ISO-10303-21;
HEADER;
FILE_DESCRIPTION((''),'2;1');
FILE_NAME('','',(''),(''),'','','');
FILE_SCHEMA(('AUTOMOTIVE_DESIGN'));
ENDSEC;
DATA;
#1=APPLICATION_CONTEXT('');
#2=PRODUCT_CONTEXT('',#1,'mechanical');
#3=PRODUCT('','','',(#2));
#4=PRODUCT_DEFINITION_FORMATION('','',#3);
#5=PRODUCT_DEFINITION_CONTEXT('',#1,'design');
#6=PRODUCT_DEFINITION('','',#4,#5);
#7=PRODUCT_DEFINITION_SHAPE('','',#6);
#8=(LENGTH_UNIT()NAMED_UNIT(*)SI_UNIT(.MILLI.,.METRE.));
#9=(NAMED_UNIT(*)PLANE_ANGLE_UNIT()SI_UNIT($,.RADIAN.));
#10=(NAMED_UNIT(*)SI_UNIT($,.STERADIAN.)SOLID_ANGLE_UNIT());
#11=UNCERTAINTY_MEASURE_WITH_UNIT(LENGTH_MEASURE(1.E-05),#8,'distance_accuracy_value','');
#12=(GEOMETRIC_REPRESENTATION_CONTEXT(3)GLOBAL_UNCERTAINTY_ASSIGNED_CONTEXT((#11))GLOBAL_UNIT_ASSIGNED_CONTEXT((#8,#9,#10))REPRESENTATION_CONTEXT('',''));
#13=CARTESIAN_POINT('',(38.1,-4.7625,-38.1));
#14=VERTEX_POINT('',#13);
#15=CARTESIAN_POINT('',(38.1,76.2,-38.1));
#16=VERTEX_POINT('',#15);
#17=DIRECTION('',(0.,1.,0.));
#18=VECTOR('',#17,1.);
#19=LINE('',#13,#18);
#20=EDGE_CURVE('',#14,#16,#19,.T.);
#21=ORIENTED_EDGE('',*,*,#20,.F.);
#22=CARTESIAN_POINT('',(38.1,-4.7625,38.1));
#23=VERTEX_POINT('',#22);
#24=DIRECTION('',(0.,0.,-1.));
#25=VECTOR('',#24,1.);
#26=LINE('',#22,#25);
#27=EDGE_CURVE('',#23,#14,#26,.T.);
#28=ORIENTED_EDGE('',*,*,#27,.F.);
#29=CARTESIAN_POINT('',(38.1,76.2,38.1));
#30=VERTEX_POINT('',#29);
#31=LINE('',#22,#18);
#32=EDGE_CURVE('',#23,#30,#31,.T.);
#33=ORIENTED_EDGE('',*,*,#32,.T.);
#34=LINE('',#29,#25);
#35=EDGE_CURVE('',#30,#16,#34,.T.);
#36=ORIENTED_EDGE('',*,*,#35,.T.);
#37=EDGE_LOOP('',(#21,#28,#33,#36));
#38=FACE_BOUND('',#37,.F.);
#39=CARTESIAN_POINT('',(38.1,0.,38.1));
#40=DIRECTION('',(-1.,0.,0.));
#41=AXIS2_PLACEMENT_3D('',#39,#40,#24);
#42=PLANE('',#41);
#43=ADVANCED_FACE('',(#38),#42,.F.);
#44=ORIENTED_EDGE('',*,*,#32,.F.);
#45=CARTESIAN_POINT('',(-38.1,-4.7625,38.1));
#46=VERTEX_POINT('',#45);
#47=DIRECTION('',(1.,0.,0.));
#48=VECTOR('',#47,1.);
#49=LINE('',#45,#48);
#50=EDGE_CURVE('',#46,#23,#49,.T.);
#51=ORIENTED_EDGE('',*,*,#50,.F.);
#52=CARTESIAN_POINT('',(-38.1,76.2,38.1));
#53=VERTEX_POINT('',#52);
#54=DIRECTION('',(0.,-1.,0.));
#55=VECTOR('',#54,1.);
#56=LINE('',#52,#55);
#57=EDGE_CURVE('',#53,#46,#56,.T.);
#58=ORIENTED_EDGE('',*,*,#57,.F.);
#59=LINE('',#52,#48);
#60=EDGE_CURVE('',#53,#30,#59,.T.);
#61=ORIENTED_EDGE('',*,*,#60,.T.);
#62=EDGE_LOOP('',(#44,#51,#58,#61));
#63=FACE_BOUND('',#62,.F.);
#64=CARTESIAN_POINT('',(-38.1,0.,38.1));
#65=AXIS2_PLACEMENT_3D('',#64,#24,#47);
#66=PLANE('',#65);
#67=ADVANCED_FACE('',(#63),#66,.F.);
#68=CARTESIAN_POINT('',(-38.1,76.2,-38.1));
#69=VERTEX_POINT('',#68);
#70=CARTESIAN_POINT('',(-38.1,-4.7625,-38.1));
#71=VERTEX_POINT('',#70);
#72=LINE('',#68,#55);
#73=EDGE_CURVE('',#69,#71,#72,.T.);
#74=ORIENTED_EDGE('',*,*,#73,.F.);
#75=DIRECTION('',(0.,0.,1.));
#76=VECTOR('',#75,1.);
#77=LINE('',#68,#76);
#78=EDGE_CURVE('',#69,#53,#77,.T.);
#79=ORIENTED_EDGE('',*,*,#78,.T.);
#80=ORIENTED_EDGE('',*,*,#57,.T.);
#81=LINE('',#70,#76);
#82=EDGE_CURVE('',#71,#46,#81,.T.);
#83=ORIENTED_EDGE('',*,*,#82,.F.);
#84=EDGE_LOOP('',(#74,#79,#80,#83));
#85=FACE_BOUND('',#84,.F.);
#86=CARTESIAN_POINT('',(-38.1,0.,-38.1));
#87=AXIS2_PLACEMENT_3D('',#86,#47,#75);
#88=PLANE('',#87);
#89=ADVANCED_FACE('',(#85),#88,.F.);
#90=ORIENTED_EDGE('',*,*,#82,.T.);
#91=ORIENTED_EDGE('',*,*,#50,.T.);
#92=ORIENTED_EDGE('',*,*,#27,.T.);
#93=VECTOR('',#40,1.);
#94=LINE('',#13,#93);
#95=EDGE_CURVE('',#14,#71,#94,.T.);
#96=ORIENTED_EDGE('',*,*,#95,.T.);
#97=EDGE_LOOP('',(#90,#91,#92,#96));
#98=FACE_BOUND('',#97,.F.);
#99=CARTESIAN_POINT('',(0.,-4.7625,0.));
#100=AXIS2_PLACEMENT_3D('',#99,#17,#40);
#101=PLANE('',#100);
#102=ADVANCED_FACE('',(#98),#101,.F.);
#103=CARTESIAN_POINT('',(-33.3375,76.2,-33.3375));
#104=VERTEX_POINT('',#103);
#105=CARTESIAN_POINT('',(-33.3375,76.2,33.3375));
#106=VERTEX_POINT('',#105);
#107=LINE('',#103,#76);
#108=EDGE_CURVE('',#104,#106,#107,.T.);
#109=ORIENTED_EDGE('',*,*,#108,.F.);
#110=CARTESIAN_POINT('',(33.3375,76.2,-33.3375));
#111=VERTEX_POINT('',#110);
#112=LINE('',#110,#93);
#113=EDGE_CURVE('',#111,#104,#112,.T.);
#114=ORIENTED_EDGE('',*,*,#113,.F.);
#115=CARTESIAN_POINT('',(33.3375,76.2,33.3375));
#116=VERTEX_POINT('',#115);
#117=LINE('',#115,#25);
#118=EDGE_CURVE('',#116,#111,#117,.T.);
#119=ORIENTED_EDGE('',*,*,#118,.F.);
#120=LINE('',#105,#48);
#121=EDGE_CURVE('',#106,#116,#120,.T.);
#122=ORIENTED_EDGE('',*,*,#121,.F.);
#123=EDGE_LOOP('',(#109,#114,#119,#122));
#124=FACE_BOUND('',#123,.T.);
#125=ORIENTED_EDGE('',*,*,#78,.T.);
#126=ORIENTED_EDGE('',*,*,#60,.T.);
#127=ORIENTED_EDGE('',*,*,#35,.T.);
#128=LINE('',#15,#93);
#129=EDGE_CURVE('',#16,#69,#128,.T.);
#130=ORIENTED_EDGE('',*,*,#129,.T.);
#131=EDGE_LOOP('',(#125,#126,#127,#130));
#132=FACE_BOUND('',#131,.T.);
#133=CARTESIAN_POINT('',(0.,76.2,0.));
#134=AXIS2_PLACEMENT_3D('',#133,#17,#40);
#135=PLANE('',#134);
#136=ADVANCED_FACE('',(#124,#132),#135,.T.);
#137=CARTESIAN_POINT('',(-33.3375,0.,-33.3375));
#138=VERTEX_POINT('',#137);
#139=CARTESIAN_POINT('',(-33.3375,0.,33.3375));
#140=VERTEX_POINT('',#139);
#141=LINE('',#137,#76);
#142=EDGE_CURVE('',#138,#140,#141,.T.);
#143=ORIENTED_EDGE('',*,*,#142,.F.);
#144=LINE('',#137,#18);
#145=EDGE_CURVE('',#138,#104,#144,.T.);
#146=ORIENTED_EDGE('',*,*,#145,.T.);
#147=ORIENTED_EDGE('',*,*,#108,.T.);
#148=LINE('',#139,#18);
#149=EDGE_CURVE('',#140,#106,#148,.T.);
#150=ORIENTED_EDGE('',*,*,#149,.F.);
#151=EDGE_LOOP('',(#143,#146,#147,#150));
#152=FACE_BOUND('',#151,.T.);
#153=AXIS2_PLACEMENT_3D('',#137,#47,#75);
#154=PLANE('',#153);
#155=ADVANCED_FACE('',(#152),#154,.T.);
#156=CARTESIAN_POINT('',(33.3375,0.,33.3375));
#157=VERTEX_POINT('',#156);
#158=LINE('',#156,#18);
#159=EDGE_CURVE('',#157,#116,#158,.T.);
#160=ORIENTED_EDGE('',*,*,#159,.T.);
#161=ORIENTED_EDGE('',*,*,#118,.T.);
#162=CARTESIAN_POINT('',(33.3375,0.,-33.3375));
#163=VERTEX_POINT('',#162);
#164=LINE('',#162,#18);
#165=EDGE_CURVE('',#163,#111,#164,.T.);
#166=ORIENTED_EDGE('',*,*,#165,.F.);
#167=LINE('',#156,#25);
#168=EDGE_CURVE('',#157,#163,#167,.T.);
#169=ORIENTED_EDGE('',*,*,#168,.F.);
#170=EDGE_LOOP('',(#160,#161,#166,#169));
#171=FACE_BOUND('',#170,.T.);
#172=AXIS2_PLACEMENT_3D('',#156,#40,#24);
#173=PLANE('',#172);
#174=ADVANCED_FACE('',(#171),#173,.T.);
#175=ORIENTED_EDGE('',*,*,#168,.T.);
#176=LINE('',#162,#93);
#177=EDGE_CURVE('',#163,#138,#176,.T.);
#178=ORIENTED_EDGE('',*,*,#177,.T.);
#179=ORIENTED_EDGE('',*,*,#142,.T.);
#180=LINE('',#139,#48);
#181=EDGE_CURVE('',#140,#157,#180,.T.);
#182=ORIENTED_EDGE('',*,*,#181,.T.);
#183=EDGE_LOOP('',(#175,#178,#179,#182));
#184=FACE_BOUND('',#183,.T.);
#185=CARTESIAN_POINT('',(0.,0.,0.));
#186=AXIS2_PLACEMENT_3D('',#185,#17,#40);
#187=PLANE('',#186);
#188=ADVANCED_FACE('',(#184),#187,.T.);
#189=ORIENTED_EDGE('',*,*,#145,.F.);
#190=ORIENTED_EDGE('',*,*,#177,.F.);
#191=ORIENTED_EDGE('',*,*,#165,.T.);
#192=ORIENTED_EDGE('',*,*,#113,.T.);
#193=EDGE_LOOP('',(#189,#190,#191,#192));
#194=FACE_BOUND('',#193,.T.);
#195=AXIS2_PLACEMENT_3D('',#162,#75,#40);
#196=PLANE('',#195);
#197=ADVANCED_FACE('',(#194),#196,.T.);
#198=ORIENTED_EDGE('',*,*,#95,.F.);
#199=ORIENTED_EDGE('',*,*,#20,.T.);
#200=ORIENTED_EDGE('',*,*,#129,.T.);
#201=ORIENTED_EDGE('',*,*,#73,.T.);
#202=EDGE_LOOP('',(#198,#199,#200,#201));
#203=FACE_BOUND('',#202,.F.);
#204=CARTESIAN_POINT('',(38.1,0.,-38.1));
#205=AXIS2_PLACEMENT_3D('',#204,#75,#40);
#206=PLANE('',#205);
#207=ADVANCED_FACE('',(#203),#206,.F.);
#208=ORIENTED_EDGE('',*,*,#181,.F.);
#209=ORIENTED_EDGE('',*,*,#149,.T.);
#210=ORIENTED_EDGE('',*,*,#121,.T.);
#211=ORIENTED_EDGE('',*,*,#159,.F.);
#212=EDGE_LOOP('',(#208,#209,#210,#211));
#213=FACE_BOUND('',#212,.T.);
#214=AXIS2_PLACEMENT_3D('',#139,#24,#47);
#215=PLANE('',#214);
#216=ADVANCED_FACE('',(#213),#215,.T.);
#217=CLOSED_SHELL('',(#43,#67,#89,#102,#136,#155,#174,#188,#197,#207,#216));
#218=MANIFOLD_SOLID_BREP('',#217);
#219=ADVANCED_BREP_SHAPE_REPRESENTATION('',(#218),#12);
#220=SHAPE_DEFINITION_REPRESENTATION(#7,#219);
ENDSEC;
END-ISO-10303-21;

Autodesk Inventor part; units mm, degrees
ref_plane "YZ Plane" through (0, 0, 0) normal (1, 0, 0) x (0, 1, 0)
ref_plane "XZ Plane" through (0, 0, 0) normal (0, 1, 0) x (-1, 0, 0)
ref_plane "XY Plane" through (0, 0, 0) normal (0, 0, 1) x (1, 0, 0)
sketch "Sketch1" plane through (0, 0, 0) normal (0, 1, 0) x (-1, 0, 0)
  line L0 (-38.1, 38.1) -> (-38.1, -38.1)
  line L1 (-38.1, -38.1) -> (38.1, -38.1)
  line L2 (38.1, -38.1) -> (38.1, 38.1)
  line L3 (38.1, 38.1) -> (-38.1, 38.1)
  line L4 (-38.1, 38.1) -> (38.1, -38.1) construction
  line L5 (-38.1, -38.1) -> (38.1, 38.1) construction
  line L6 (-33.3375, 33.3375) -> (-33.3375, -33.3375)
  line L7 (-33.3375, -33.3375) -> (33.3375, -33.3375)
  line L8 (33.3375, -33.3375) -> (33.3375, 33.3375)
  line L9 (33.3375, 33.3375) -> (-33.3375, 33.3375)
  line L10 (-33.3375, 33.3375) -> (33.3375, -33.3375) construction
  line L11 (-33.3375, -33.3375) -> (33.3375, 33.3375) construction
  point P0 (0, 0)
  dimension "d0" = 76.2
  dimension "d1" = 4.7625
extrude "Extrusion1" add sketch "Sketch1" against normal blind 4.7625 contours L3 L2 L1 L0 | L9 L8 L7 L6
extrude "Extrusion2" add sketch "Sketch1" along normal blind 76.2
properties part number "squareMouseSupport"
